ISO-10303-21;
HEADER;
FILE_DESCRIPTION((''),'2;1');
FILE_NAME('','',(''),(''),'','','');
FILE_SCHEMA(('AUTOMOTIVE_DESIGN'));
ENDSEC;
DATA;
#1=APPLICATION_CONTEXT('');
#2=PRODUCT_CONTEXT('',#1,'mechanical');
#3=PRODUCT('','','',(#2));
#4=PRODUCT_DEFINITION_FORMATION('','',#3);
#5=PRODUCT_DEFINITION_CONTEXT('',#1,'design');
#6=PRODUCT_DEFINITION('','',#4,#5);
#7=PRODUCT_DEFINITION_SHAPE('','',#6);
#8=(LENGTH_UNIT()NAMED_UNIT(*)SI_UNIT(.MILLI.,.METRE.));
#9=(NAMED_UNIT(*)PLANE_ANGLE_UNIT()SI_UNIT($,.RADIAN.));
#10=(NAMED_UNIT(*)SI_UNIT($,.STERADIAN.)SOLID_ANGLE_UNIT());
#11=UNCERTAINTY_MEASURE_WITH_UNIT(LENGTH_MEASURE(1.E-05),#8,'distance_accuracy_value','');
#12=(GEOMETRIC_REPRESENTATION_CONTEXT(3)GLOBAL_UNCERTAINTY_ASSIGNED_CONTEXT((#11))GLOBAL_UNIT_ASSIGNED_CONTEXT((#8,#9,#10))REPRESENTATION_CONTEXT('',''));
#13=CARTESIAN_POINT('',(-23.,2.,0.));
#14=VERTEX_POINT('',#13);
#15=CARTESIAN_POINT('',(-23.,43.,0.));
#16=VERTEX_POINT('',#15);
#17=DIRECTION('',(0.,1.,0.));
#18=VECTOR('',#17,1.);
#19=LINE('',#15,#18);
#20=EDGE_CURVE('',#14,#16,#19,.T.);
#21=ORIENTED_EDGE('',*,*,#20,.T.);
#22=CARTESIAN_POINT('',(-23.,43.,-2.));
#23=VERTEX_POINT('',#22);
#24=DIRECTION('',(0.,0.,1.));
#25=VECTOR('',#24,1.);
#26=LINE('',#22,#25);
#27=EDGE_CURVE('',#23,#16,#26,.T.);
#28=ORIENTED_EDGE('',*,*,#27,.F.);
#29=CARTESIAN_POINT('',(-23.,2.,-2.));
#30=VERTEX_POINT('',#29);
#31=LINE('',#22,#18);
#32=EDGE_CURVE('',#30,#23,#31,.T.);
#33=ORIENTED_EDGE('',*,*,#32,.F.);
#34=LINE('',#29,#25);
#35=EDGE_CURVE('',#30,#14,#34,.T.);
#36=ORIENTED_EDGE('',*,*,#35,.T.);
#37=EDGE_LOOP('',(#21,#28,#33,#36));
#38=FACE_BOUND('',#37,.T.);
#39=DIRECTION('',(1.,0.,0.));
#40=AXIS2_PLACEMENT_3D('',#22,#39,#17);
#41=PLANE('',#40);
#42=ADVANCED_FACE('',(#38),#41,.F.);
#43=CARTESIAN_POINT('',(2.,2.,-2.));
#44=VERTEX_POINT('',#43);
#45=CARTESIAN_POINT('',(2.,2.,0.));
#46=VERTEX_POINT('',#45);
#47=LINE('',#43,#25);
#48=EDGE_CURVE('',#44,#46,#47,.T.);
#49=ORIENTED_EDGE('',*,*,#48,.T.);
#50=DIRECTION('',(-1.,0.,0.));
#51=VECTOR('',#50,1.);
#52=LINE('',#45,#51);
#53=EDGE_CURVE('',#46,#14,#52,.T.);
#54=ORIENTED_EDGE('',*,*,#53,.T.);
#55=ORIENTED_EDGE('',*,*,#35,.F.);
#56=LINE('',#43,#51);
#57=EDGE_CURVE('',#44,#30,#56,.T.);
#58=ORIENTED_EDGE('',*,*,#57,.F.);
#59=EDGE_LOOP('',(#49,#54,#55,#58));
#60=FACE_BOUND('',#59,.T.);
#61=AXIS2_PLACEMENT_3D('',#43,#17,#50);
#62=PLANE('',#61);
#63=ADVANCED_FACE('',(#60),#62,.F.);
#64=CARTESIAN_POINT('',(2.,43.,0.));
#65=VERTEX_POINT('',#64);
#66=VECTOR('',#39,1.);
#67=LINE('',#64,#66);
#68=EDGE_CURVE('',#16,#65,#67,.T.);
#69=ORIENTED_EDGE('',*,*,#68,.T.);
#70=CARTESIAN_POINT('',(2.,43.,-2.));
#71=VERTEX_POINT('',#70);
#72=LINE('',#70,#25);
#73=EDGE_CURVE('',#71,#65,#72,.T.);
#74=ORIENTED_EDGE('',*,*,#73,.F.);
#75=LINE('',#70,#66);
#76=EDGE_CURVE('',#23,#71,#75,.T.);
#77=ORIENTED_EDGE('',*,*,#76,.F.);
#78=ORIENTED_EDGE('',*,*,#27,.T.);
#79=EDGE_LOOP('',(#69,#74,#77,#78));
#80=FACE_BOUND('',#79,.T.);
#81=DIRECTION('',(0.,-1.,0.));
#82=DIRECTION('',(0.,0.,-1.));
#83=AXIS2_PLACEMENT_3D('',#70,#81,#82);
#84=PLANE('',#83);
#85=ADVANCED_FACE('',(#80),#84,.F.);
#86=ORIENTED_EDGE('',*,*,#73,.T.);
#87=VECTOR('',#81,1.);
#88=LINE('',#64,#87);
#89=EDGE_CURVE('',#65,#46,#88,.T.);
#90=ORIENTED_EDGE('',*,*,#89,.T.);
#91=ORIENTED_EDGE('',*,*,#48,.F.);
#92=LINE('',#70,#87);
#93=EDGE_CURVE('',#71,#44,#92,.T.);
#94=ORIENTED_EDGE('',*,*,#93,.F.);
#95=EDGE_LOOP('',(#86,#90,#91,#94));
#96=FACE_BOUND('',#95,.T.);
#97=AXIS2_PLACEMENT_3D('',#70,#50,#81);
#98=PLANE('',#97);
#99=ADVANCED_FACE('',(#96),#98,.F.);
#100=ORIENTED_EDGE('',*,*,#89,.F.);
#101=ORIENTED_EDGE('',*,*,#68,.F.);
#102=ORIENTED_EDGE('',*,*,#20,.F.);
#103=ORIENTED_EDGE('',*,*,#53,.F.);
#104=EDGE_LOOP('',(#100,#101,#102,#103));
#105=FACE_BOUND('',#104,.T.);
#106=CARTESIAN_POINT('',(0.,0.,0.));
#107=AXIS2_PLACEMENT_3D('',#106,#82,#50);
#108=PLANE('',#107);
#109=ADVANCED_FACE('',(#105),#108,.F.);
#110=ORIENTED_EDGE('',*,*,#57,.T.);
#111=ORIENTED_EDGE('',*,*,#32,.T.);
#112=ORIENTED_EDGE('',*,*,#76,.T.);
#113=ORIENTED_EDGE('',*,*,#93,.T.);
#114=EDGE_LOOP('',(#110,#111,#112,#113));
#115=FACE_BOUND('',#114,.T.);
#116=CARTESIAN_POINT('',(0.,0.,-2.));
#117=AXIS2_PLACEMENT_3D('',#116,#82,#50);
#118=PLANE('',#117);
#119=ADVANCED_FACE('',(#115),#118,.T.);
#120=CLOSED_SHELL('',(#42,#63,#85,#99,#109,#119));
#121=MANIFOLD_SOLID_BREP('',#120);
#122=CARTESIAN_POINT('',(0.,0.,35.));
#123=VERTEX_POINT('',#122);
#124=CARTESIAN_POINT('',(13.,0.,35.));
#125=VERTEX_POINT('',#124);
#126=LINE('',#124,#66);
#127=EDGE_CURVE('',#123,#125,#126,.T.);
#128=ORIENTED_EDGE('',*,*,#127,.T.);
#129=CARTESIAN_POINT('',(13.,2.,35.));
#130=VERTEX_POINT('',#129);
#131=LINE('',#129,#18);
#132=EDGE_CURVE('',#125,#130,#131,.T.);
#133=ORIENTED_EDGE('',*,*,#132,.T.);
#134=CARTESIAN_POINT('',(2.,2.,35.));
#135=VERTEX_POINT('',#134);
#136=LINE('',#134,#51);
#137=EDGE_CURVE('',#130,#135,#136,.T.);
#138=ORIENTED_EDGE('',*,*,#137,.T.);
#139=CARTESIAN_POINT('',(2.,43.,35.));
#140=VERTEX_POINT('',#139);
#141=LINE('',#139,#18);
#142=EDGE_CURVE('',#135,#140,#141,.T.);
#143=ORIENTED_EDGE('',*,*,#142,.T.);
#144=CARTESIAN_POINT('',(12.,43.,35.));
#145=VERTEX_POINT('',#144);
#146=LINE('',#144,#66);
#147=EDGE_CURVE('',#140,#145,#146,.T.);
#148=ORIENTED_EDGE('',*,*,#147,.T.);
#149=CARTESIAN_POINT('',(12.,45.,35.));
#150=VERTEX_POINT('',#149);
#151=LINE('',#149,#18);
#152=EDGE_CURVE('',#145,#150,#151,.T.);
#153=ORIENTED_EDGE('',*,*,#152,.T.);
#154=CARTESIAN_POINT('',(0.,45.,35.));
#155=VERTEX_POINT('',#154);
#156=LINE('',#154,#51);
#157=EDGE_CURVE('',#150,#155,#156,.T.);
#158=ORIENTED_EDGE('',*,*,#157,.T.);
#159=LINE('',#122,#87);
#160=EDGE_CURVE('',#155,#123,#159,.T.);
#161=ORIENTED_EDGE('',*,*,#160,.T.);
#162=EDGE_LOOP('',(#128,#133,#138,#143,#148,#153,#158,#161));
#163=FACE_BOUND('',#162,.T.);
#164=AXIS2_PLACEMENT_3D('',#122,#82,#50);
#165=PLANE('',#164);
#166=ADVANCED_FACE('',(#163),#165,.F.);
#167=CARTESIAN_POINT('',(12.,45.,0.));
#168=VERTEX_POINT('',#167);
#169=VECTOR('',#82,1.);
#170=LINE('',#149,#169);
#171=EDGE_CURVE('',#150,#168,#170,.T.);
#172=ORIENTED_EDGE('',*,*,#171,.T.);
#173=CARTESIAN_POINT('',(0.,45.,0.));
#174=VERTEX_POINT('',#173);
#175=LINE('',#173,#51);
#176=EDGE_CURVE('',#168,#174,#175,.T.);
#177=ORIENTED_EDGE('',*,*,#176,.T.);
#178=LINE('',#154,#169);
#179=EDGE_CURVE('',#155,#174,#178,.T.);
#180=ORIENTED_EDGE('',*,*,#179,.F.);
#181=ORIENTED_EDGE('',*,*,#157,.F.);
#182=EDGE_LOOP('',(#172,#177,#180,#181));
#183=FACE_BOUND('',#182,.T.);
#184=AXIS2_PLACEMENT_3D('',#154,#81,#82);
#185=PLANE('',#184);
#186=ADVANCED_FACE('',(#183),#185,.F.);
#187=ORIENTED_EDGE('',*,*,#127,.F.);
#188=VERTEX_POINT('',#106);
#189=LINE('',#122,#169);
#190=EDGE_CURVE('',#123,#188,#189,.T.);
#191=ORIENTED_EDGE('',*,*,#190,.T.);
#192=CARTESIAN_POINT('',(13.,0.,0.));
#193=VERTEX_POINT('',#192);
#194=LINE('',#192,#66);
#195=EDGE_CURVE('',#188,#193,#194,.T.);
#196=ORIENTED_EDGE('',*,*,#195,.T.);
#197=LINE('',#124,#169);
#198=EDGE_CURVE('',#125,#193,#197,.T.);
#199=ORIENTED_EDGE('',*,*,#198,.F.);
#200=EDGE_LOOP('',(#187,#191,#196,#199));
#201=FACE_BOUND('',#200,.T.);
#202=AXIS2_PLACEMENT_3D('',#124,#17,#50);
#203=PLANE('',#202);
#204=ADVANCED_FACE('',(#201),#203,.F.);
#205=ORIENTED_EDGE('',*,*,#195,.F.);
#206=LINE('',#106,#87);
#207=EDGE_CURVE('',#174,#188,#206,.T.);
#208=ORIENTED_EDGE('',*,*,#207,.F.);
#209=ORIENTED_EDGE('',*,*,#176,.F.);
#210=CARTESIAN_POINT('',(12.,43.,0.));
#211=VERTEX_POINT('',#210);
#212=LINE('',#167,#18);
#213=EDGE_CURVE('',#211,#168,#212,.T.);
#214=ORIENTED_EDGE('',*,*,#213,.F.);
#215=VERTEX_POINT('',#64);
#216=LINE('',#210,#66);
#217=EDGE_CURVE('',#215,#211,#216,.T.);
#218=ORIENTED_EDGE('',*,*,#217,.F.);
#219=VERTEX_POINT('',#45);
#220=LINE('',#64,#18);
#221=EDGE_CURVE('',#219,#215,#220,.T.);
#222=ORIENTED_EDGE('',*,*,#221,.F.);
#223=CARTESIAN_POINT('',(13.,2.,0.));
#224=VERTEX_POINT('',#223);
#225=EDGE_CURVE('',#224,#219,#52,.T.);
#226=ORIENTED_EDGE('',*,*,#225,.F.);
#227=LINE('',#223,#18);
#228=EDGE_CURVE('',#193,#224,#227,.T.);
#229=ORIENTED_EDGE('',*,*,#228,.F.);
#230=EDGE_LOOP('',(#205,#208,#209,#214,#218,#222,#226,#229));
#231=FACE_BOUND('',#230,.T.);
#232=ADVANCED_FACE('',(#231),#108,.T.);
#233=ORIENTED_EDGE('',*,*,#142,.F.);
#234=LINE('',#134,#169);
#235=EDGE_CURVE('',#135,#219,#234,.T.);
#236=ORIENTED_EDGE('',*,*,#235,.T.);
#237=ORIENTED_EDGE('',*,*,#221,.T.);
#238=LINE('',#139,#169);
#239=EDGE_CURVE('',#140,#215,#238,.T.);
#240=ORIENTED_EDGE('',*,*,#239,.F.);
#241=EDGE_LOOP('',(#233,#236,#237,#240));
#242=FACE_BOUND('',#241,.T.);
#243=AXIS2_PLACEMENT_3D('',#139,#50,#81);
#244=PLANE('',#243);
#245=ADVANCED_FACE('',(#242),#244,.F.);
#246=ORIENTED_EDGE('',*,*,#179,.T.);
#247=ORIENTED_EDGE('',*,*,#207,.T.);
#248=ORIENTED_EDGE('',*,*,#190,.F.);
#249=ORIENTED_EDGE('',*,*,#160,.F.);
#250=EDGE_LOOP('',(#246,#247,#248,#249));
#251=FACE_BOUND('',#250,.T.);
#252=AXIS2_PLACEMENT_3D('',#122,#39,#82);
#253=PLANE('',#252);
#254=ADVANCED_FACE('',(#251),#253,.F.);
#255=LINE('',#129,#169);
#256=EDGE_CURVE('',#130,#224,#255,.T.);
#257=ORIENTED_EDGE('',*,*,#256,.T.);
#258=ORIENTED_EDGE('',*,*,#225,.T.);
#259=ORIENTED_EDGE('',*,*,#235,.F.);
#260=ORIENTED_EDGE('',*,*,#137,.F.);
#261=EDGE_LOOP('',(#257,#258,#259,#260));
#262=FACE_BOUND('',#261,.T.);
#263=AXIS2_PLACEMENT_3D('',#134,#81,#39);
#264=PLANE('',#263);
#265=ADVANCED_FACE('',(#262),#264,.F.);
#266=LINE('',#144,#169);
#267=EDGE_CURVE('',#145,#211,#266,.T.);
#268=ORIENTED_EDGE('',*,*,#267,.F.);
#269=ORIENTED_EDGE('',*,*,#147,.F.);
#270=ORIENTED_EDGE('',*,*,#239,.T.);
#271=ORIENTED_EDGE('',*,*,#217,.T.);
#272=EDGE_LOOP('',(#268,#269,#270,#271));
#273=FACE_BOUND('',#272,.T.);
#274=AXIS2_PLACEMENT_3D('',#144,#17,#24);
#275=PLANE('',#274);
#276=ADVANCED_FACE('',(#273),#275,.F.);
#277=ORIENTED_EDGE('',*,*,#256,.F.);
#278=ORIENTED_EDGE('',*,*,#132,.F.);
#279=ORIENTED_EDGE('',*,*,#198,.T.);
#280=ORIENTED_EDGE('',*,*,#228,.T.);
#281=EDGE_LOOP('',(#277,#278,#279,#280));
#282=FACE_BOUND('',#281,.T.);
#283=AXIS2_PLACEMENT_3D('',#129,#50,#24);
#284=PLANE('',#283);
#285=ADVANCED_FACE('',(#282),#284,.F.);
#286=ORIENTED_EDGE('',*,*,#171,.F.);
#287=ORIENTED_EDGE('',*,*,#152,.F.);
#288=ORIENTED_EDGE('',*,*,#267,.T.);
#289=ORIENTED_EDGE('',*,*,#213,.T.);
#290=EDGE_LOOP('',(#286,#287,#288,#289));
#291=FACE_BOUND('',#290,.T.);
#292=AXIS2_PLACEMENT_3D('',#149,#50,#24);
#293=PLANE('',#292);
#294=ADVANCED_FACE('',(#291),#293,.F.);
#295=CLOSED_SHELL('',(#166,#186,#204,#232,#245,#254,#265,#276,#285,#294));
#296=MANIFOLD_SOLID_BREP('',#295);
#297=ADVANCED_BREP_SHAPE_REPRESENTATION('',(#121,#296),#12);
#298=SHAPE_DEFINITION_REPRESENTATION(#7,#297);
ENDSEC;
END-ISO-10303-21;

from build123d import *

# Parameters (mm, degrees)
BOSS_EXTRUDE1_DEPTH = 35
SKETCH2_W           = 25
SKETCH2_H           = 41
BOSS_EXTRUDE2_DEPTH = 2


with BuildPart() as part:
    # Sketch1 → Boss-Extrude1 (new body)
    with BuildSketch(Plane.XY):
        Polygon((0, 0), (0, 45), (12, 45), (12, 43), (2, 43), (2, 2), (13, 2), (13, 0), align=None)
    extrude(amount=BOSS_EXTRUDE1_DEPTH)


with BuildPart() as body_2:
    # Sketch2 → Boss-Extrude2 (new body)
    with BuildSketch(Plane(origin=(0, 0, 0), x_dir=(-1, 0, 0), z_dir=(0, 0, -1))):
        with Locations((10.5, 22.5)):
            Rectangle(SKETCH2_W, SKETCH2_H)
    extrude(amount=BOSS_EXTRUDE2_DEPTH)


solid = Compound([part.part, body_2.part])
